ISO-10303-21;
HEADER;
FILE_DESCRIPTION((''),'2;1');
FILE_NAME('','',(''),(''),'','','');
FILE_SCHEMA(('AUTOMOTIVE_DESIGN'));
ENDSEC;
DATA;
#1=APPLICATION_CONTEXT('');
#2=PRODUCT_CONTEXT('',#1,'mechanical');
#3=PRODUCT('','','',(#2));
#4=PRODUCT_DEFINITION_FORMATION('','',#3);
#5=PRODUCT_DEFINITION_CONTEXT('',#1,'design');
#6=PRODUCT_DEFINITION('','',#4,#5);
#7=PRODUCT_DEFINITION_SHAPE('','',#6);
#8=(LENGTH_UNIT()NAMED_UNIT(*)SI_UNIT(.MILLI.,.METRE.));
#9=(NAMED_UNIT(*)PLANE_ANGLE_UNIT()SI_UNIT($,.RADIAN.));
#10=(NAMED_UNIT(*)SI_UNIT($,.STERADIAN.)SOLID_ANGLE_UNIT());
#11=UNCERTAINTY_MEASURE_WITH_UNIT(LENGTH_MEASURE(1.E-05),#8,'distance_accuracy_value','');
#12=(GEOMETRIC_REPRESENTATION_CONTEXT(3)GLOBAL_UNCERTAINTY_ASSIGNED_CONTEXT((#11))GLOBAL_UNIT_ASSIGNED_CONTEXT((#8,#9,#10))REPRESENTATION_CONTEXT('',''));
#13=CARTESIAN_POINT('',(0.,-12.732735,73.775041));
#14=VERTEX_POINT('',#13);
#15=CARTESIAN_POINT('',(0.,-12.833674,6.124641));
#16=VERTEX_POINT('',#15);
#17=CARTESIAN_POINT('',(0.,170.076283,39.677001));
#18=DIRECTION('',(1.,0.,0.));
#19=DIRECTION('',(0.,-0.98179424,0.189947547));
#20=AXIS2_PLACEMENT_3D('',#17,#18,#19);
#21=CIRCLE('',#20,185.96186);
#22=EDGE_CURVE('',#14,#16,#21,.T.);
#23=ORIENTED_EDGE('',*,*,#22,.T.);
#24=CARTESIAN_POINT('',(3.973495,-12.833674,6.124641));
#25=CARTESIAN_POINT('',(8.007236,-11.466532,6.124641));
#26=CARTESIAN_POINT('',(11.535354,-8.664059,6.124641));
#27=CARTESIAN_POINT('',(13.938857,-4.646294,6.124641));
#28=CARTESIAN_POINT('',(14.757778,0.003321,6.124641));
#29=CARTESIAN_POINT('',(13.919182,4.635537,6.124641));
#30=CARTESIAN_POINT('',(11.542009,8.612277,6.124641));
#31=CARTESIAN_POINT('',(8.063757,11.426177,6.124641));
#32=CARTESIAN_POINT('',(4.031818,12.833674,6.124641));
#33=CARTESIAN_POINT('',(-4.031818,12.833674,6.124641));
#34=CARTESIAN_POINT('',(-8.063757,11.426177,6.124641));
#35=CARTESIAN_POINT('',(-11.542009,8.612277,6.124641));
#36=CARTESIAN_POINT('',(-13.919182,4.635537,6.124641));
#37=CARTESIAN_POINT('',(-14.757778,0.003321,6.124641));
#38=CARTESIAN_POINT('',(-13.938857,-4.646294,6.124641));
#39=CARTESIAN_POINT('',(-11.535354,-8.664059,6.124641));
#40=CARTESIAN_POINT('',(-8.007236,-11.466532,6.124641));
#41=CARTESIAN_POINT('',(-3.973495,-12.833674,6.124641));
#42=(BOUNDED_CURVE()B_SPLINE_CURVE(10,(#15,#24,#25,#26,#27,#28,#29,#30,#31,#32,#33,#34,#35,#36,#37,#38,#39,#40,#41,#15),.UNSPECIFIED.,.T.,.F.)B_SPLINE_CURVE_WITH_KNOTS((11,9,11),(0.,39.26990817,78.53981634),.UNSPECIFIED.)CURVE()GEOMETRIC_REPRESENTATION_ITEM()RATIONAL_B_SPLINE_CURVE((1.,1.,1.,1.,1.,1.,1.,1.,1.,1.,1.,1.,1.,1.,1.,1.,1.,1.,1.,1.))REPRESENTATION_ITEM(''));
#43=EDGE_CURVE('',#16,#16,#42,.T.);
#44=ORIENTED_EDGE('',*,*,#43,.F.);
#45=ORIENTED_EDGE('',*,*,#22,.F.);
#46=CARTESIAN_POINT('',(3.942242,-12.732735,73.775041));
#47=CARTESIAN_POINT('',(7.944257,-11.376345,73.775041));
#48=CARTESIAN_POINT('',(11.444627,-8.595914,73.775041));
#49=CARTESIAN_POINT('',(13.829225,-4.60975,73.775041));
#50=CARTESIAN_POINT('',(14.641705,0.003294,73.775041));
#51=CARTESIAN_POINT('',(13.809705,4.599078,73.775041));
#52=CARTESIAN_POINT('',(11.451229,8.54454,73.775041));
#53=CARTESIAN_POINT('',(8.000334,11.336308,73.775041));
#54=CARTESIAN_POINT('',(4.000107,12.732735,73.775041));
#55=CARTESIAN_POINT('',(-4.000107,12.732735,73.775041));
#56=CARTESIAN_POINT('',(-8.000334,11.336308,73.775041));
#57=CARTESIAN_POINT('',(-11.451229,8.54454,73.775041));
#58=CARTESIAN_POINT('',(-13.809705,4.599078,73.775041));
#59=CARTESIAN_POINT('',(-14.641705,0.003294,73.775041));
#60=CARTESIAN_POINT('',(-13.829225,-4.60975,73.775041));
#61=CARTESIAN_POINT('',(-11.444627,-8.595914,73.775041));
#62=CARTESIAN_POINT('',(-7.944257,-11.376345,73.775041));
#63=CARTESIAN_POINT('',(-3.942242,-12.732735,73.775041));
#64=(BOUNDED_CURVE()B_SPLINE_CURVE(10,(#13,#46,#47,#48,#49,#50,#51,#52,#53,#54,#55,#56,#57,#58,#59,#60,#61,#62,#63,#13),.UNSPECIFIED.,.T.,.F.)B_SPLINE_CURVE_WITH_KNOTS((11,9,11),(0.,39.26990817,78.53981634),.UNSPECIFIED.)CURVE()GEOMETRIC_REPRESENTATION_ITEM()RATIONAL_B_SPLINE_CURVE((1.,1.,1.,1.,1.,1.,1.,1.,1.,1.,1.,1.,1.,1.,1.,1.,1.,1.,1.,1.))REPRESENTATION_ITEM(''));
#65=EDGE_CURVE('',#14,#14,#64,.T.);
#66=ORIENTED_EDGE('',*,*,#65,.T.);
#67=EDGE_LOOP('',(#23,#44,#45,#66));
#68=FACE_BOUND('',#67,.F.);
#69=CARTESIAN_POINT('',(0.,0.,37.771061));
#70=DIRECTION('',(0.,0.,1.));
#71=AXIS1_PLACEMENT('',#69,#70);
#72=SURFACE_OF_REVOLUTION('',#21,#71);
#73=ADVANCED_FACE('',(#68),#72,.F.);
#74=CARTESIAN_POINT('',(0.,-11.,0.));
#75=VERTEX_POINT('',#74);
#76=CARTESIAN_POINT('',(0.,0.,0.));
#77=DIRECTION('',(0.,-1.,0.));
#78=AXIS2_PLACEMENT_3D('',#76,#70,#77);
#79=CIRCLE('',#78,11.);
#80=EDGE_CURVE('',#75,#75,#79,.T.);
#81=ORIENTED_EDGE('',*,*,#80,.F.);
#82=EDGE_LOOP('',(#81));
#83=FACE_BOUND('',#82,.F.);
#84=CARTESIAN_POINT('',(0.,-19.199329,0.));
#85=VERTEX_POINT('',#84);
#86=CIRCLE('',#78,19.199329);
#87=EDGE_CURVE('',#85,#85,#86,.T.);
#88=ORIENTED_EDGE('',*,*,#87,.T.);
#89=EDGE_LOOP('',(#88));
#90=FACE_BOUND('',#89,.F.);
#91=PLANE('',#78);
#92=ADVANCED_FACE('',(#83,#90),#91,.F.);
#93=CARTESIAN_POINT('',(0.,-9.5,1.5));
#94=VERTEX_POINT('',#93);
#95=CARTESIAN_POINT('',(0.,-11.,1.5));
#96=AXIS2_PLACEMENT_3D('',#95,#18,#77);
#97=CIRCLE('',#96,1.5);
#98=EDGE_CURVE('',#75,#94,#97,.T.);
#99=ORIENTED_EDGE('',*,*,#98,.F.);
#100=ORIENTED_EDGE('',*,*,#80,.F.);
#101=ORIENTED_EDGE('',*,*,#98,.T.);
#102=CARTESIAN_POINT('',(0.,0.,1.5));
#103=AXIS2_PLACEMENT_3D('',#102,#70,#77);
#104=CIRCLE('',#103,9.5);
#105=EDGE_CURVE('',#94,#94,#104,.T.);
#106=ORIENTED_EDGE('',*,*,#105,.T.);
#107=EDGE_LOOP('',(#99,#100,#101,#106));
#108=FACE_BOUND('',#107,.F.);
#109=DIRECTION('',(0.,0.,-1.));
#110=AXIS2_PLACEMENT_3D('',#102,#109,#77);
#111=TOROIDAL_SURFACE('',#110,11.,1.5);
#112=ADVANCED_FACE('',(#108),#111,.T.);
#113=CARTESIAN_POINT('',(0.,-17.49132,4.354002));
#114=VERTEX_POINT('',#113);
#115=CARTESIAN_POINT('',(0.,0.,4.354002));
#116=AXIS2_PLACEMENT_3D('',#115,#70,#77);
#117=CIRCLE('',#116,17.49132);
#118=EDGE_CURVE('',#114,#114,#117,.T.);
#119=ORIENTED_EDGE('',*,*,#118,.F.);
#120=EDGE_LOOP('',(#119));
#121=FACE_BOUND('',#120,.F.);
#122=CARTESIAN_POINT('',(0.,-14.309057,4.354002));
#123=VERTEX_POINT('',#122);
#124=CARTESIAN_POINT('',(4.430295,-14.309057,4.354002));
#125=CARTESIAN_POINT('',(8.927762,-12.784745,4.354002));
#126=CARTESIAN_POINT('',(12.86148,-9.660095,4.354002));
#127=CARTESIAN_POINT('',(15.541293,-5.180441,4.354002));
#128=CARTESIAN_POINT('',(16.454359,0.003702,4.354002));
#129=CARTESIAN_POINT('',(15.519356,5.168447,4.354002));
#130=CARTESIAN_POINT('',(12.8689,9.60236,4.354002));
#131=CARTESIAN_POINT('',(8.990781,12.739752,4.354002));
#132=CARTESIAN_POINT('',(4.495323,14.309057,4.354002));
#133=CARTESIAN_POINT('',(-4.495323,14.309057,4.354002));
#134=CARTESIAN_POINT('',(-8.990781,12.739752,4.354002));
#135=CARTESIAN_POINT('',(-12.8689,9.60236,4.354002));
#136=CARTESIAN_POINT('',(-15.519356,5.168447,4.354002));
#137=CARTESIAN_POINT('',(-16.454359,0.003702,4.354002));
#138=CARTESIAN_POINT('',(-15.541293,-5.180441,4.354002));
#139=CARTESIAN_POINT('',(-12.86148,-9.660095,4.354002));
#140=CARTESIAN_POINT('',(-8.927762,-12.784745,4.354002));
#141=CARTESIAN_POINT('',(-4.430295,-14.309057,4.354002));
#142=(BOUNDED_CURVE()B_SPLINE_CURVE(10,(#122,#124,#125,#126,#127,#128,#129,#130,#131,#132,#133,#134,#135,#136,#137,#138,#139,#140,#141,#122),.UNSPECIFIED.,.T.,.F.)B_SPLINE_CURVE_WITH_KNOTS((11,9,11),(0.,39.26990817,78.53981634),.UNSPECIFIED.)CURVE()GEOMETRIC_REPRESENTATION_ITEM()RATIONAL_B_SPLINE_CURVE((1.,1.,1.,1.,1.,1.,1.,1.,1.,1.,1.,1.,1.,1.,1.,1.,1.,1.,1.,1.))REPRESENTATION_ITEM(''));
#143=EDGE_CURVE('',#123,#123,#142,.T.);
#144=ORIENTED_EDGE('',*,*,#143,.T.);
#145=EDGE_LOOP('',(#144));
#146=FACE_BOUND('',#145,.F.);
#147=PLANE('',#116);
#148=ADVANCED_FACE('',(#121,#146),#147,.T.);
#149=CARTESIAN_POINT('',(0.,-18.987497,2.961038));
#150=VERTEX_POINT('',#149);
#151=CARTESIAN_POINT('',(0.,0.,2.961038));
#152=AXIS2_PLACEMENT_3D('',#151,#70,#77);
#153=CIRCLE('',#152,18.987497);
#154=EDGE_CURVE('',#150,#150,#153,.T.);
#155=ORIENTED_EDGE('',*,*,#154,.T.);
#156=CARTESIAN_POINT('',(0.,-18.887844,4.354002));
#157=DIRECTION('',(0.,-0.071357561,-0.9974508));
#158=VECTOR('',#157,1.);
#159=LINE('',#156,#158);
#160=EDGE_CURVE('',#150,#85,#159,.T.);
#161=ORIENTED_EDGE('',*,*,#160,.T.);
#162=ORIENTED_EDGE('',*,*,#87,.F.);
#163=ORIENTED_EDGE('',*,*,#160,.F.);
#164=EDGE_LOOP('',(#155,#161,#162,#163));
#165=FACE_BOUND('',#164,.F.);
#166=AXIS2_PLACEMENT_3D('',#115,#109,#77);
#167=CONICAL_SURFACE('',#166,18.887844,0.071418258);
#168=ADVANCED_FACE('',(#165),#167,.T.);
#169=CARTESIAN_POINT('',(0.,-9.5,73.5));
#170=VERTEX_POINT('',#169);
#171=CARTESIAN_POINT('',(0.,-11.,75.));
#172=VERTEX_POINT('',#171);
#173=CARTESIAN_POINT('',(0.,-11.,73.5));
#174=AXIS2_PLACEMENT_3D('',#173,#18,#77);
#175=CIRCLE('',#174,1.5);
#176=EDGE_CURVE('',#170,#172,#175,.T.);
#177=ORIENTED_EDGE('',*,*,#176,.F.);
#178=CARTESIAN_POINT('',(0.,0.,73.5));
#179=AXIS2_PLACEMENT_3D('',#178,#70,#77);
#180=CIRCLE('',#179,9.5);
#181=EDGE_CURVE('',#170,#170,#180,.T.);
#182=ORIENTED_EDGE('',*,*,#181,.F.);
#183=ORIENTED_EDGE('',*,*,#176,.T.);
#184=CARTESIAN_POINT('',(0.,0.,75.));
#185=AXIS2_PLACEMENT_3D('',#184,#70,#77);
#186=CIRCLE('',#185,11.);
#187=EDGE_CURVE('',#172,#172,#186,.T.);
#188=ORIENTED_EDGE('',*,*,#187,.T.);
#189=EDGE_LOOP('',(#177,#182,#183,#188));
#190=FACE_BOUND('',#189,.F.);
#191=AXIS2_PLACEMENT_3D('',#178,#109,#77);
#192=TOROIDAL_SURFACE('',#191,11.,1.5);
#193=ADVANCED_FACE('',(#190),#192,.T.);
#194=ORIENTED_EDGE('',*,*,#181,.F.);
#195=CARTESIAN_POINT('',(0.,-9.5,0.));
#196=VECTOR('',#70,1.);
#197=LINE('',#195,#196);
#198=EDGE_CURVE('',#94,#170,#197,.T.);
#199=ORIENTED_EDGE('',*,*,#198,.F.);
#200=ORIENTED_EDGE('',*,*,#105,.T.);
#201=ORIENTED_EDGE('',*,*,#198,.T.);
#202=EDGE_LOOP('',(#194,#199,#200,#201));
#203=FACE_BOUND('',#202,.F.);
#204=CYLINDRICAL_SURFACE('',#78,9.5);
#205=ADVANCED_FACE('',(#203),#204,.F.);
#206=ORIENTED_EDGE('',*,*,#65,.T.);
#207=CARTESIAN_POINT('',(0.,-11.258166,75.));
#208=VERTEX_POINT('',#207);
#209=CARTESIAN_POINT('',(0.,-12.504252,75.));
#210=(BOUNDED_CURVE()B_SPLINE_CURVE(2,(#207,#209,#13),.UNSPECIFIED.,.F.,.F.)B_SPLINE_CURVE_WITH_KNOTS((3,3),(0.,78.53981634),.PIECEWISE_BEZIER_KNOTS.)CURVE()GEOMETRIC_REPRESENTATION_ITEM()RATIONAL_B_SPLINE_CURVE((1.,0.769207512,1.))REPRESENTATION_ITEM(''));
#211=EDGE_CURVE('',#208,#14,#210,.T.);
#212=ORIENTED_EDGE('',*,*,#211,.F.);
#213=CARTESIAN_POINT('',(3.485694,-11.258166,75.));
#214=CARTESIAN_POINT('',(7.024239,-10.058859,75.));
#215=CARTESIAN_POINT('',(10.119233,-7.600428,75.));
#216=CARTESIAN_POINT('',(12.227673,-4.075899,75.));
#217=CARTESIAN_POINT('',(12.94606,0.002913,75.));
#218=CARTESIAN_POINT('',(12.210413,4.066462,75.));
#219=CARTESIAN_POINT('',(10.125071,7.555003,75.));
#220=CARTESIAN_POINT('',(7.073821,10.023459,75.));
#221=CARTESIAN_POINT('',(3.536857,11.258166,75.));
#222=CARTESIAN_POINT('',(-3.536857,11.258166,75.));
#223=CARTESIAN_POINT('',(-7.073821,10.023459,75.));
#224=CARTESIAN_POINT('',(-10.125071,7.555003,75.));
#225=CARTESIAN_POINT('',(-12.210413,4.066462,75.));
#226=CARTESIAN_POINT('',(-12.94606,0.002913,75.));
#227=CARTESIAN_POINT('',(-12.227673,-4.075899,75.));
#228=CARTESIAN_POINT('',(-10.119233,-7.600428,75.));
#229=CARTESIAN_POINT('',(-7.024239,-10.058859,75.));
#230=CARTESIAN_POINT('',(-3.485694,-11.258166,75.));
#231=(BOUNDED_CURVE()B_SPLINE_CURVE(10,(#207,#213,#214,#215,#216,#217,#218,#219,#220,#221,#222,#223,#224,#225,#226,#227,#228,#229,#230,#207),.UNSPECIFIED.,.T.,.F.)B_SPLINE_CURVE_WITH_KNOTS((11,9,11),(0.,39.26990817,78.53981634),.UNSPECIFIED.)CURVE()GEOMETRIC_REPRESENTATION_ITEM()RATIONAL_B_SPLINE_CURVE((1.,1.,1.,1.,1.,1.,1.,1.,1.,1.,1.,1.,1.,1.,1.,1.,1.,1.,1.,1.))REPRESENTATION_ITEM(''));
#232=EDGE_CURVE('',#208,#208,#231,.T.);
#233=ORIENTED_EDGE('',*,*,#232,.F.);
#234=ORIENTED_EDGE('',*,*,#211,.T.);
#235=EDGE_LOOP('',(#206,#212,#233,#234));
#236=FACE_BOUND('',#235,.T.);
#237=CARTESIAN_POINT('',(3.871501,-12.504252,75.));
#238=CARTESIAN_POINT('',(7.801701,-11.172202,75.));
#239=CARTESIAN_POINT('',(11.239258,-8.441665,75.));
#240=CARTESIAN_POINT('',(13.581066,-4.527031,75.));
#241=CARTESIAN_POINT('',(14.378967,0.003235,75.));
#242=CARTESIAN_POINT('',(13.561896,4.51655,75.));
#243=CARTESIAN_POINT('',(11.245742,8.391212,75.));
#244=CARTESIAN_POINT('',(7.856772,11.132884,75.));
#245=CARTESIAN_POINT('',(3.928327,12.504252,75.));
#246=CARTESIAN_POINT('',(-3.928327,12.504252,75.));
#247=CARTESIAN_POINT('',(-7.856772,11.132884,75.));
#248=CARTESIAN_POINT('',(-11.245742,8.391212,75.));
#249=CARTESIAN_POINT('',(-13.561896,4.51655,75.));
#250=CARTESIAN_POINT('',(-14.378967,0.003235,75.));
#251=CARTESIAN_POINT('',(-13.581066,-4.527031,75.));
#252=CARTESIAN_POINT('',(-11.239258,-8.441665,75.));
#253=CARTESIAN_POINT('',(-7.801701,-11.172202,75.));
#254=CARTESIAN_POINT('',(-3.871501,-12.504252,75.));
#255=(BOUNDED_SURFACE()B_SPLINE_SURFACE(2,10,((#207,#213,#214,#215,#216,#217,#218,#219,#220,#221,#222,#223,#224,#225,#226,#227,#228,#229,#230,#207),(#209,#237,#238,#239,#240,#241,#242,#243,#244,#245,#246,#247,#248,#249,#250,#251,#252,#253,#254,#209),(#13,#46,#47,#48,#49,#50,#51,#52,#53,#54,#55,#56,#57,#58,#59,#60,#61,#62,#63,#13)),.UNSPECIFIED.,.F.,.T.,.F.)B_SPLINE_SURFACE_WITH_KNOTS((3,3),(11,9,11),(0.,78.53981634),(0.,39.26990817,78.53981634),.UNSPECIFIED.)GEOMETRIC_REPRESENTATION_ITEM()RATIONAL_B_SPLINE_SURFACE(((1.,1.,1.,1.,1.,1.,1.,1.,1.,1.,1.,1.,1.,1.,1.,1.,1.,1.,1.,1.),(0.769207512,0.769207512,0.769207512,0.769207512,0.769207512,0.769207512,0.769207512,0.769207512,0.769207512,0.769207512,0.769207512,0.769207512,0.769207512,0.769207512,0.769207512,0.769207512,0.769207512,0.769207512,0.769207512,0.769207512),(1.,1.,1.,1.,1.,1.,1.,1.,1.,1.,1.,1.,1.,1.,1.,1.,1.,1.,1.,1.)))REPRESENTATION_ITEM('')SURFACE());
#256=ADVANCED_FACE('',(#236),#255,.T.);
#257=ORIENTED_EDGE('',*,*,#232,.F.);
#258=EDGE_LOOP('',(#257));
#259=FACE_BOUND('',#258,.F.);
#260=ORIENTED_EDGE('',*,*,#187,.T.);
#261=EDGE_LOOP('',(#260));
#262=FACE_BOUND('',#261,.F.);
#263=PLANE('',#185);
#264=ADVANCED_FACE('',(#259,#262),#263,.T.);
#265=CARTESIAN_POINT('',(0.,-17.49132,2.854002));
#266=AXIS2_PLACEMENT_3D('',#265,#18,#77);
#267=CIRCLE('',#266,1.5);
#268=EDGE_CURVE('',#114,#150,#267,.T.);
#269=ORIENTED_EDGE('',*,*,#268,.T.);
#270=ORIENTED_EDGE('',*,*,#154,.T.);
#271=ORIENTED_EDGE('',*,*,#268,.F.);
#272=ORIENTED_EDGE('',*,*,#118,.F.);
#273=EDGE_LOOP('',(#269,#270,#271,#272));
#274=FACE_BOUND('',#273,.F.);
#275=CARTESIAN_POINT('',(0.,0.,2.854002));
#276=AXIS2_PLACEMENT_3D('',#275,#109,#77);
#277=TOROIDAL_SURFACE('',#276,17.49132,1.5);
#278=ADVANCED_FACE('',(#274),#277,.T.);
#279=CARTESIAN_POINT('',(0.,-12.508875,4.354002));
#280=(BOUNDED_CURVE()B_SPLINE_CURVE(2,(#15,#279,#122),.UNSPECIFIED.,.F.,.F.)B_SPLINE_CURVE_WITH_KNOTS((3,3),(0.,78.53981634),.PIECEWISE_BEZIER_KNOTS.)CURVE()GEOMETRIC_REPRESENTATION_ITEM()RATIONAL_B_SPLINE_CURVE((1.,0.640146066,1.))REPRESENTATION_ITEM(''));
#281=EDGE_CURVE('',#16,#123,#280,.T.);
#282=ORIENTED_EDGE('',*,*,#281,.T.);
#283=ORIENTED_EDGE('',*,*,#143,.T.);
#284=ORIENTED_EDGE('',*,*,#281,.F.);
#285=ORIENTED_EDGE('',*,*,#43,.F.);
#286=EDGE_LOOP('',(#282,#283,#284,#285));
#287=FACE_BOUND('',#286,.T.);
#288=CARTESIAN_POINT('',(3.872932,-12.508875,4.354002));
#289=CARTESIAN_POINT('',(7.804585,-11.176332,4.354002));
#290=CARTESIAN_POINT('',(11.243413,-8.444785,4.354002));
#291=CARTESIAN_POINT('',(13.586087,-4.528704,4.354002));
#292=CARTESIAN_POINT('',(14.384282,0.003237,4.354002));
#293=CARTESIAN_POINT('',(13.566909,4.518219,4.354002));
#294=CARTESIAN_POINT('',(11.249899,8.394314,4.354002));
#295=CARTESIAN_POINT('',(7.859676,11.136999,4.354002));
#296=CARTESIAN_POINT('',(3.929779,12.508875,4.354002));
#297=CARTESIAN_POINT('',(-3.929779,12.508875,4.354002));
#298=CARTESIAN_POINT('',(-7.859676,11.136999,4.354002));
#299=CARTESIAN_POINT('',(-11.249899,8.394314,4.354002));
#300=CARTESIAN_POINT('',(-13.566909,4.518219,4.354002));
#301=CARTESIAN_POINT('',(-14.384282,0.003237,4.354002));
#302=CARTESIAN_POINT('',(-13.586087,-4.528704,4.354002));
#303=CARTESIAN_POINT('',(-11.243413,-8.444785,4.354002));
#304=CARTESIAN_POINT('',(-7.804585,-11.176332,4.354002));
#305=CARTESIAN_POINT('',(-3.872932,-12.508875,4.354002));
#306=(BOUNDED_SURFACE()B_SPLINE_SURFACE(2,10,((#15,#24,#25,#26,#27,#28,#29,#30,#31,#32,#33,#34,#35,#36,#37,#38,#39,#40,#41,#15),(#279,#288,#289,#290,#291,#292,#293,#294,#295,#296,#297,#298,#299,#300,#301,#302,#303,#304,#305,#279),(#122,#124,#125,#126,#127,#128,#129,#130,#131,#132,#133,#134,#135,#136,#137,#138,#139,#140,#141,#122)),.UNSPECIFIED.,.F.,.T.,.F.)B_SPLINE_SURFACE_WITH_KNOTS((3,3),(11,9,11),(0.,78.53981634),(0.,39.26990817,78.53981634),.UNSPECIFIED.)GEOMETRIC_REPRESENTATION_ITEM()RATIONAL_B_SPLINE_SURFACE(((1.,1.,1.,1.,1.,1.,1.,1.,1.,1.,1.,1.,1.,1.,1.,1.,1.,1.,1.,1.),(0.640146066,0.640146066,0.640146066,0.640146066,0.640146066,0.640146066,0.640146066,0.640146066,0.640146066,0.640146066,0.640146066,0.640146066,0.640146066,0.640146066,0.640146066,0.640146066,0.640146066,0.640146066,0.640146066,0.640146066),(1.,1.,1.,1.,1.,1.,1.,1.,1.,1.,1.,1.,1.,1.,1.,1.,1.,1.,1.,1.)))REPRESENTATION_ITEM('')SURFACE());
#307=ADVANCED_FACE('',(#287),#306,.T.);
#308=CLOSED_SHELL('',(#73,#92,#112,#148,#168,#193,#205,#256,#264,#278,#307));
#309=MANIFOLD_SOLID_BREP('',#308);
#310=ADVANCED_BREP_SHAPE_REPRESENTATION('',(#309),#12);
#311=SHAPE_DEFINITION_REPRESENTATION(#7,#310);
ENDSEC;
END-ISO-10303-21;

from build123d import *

# Parameters (mm, degrees)
F2_R = 1.5


with BuildPart() as f1:
    # F0 (on Right) → F1 (revolve)
    with BuildSketch(Plane.YZ):
        with BuildLine():
            Line((-19.199329, 0), (-9.5, 0))
            Line((-9.5, 0), (-9.5, 75))
            Line((-9.5, 75), (-12.5, 75))
            ThreePointArc((-12.5, 75), (-15.885577, 39.677001), (-12.5, 4.354002))
            Line((-12.5, 4.354002), (-18.887844, 4.354002))
            Line((-18.887844, 4.354002), (-19.199329, 0))
        make_face()
    revolve(axis=Axis((0, 0, 37.771061), (0, 0, 1)))

    # F2
    f2_edges = [f1.edges().sort_by_distance(p)[0] for p in [
        (0, 9.5, 75),
        (0, 18.887844, 4.354002),
        (0, 12.5, 4.354002),
        (0, 12.5, 75),
        (0, 9.5, 0),
    ]]
    fillet(f2_edges, radius=F2_R)


solid = f1.part
